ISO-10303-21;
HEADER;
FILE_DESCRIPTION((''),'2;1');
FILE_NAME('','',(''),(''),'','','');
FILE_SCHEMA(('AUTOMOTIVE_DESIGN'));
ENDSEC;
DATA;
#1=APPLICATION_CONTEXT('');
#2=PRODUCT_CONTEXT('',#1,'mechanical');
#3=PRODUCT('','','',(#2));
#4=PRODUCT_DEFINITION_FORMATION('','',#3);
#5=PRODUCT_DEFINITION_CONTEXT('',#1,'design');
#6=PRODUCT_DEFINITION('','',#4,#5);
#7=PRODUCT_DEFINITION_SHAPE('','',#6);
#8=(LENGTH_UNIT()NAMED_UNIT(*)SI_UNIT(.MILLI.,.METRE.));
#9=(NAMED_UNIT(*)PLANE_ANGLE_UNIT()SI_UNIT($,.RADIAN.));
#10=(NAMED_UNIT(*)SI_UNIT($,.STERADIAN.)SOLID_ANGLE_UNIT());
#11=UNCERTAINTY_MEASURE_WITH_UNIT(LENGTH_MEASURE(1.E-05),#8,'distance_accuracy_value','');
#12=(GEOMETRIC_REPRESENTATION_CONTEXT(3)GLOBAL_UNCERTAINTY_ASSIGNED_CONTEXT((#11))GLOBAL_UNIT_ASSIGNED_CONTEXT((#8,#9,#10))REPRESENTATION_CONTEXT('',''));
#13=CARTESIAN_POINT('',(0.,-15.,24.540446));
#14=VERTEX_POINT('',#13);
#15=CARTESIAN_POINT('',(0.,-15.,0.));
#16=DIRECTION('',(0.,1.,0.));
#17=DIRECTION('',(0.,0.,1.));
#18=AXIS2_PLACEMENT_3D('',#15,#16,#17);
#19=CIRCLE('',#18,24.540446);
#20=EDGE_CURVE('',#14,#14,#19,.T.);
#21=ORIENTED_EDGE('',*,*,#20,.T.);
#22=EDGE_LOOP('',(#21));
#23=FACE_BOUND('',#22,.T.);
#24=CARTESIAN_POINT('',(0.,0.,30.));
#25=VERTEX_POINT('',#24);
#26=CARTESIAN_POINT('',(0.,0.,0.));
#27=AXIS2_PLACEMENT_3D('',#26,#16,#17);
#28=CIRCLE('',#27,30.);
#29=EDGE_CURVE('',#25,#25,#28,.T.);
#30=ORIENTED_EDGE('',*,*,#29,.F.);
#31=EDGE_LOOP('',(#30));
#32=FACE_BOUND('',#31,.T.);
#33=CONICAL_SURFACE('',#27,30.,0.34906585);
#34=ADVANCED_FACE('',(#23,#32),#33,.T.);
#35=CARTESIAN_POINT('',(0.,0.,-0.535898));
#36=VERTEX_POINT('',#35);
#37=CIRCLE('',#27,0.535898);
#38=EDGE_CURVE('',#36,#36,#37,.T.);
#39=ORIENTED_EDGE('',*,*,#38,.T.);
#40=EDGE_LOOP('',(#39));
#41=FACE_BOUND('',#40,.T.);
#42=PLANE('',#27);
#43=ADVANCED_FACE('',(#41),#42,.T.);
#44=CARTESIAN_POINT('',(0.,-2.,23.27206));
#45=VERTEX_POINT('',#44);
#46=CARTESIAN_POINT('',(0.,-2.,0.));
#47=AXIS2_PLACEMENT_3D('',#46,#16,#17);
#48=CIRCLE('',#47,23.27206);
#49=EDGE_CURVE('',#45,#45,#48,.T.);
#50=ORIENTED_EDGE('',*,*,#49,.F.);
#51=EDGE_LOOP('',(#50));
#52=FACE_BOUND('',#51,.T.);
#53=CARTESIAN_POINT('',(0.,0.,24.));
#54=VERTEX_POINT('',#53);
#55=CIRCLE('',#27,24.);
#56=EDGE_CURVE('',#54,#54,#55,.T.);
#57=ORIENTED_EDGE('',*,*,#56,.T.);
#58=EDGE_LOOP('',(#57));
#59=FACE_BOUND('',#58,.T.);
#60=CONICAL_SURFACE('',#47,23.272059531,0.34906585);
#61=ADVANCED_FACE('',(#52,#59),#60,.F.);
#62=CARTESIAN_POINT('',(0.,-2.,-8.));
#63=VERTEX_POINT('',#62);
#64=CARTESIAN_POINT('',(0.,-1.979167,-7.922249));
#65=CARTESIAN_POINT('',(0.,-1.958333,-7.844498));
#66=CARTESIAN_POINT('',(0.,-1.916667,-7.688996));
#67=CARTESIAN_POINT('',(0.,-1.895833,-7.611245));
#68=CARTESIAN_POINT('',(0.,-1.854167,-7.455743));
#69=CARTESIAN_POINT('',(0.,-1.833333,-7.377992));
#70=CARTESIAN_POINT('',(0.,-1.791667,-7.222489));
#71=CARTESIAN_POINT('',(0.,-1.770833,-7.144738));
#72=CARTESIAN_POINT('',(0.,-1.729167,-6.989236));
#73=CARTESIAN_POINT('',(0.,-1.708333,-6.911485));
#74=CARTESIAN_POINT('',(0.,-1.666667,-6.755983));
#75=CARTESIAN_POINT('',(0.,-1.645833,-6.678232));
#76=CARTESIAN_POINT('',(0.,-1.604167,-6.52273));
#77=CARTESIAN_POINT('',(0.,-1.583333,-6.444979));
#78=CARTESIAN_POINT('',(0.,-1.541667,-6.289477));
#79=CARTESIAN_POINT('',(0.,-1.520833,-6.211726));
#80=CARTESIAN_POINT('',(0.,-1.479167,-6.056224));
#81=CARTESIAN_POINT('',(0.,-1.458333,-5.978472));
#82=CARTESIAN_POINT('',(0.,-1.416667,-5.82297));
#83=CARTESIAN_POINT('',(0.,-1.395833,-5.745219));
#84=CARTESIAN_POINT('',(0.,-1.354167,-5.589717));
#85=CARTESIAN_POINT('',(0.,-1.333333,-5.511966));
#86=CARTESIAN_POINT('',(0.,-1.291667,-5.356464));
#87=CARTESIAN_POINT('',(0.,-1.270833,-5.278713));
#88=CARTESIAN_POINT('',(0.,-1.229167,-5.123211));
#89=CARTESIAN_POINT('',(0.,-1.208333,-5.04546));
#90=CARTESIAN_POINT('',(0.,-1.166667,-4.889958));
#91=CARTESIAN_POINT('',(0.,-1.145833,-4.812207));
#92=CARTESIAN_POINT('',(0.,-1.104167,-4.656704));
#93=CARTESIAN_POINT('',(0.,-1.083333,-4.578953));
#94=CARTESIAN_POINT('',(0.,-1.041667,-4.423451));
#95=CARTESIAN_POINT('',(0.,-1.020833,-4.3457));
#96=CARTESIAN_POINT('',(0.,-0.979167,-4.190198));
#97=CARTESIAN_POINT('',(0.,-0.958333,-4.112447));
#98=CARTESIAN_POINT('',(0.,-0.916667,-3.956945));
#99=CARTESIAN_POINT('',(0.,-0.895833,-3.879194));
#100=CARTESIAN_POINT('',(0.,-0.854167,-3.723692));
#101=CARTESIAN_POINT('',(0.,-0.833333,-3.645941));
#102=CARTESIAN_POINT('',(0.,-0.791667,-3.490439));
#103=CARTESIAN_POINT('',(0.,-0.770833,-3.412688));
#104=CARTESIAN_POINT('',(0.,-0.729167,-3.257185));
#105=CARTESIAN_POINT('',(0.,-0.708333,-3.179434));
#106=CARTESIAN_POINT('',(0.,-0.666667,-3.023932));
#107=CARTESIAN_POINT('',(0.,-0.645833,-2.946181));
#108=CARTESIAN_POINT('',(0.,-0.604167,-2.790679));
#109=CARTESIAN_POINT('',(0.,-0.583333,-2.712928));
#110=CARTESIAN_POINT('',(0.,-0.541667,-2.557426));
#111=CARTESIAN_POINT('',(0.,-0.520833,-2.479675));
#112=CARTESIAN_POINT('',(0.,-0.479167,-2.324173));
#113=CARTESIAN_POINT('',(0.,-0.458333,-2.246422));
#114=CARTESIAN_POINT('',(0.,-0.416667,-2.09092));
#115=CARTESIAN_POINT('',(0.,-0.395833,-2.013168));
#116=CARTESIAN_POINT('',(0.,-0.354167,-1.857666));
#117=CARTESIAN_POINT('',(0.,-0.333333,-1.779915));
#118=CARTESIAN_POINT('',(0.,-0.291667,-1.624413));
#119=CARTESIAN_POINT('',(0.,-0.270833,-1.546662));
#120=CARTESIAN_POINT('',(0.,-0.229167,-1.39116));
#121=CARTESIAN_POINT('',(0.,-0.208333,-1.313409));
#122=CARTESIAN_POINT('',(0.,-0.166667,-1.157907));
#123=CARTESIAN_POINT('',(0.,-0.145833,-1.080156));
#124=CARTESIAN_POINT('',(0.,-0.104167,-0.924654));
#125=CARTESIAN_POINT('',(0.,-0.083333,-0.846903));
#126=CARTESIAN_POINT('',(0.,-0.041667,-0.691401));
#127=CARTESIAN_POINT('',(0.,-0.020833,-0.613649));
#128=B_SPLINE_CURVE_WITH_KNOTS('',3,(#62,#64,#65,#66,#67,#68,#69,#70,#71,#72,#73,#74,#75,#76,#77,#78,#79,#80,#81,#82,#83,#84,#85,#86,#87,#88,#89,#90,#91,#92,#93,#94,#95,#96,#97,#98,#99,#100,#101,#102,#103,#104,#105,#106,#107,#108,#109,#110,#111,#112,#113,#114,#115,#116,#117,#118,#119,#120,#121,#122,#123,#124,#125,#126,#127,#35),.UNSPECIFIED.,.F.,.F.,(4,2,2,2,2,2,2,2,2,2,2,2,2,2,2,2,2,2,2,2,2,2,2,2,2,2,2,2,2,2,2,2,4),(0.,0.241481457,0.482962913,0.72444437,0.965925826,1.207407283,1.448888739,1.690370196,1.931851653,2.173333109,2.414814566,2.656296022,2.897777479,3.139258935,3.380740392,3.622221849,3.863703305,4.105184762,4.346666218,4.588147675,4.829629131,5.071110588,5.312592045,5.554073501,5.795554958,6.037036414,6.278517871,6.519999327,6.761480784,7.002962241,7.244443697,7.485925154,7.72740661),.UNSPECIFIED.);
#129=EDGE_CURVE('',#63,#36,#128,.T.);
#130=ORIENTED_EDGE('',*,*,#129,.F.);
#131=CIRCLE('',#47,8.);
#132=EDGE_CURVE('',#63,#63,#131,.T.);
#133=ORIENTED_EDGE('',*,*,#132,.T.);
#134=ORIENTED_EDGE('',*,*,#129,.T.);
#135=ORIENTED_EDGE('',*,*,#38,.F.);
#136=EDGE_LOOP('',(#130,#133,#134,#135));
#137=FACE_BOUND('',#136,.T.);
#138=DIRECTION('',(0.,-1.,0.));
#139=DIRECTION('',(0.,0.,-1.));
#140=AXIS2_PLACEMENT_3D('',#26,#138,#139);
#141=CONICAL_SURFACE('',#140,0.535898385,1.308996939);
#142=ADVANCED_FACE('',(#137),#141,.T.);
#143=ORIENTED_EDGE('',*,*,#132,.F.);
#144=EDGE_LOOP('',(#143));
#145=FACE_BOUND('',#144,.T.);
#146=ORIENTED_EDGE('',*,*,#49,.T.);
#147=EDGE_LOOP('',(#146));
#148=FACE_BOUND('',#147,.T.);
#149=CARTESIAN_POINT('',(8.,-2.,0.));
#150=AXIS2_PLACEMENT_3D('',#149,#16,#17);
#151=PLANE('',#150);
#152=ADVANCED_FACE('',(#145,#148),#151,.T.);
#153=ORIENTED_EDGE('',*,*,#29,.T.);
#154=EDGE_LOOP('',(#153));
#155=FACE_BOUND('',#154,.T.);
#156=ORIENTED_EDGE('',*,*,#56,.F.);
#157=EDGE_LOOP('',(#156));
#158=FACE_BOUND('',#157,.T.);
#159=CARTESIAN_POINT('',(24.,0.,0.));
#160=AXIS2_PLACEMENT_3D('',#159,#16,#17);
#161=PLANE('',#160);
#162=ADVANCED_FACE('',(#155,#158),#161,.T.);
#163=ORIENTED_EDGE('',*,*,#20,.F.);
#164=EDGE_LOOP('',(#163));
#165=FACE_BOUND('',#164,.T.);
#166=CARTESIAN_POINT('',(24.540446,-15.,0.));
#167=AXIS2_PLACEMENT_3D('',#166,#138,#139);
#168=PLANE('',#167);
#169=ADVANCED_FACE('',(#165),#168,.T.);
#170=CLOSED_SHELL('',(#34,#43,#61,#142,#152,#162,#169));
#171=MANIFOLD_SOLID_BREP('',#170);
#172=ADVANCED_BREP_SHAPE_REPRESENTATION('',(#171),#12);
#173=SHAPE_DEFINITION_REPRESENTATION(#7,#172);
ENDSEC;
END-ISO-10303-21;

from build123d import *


with BuildPart() as part:
    # Sketch1 → Revolve1 (revolve)
    with BuildSketch(Plane(origin=(0, 0, 0), x_dir=(-1, 0, 0), z_dir=(0, 0, -1)), mode=Mode.PRIVATE) as revolve1_sk:
        Polygon((-24.540446486, -15), (0, -15), (0, 0), (-0.535898385, 0), (-8, -2), (-23.272059531, -2), (-24, 0), (-30, 0), align=None)
    revolve(revolve1_sk.sketch.rotate(Axis((0, -15, 0), (0, 1, 0)), 270), axis=Axis((0, -15, 0), (0, 1, 0)))


solid = part.part
